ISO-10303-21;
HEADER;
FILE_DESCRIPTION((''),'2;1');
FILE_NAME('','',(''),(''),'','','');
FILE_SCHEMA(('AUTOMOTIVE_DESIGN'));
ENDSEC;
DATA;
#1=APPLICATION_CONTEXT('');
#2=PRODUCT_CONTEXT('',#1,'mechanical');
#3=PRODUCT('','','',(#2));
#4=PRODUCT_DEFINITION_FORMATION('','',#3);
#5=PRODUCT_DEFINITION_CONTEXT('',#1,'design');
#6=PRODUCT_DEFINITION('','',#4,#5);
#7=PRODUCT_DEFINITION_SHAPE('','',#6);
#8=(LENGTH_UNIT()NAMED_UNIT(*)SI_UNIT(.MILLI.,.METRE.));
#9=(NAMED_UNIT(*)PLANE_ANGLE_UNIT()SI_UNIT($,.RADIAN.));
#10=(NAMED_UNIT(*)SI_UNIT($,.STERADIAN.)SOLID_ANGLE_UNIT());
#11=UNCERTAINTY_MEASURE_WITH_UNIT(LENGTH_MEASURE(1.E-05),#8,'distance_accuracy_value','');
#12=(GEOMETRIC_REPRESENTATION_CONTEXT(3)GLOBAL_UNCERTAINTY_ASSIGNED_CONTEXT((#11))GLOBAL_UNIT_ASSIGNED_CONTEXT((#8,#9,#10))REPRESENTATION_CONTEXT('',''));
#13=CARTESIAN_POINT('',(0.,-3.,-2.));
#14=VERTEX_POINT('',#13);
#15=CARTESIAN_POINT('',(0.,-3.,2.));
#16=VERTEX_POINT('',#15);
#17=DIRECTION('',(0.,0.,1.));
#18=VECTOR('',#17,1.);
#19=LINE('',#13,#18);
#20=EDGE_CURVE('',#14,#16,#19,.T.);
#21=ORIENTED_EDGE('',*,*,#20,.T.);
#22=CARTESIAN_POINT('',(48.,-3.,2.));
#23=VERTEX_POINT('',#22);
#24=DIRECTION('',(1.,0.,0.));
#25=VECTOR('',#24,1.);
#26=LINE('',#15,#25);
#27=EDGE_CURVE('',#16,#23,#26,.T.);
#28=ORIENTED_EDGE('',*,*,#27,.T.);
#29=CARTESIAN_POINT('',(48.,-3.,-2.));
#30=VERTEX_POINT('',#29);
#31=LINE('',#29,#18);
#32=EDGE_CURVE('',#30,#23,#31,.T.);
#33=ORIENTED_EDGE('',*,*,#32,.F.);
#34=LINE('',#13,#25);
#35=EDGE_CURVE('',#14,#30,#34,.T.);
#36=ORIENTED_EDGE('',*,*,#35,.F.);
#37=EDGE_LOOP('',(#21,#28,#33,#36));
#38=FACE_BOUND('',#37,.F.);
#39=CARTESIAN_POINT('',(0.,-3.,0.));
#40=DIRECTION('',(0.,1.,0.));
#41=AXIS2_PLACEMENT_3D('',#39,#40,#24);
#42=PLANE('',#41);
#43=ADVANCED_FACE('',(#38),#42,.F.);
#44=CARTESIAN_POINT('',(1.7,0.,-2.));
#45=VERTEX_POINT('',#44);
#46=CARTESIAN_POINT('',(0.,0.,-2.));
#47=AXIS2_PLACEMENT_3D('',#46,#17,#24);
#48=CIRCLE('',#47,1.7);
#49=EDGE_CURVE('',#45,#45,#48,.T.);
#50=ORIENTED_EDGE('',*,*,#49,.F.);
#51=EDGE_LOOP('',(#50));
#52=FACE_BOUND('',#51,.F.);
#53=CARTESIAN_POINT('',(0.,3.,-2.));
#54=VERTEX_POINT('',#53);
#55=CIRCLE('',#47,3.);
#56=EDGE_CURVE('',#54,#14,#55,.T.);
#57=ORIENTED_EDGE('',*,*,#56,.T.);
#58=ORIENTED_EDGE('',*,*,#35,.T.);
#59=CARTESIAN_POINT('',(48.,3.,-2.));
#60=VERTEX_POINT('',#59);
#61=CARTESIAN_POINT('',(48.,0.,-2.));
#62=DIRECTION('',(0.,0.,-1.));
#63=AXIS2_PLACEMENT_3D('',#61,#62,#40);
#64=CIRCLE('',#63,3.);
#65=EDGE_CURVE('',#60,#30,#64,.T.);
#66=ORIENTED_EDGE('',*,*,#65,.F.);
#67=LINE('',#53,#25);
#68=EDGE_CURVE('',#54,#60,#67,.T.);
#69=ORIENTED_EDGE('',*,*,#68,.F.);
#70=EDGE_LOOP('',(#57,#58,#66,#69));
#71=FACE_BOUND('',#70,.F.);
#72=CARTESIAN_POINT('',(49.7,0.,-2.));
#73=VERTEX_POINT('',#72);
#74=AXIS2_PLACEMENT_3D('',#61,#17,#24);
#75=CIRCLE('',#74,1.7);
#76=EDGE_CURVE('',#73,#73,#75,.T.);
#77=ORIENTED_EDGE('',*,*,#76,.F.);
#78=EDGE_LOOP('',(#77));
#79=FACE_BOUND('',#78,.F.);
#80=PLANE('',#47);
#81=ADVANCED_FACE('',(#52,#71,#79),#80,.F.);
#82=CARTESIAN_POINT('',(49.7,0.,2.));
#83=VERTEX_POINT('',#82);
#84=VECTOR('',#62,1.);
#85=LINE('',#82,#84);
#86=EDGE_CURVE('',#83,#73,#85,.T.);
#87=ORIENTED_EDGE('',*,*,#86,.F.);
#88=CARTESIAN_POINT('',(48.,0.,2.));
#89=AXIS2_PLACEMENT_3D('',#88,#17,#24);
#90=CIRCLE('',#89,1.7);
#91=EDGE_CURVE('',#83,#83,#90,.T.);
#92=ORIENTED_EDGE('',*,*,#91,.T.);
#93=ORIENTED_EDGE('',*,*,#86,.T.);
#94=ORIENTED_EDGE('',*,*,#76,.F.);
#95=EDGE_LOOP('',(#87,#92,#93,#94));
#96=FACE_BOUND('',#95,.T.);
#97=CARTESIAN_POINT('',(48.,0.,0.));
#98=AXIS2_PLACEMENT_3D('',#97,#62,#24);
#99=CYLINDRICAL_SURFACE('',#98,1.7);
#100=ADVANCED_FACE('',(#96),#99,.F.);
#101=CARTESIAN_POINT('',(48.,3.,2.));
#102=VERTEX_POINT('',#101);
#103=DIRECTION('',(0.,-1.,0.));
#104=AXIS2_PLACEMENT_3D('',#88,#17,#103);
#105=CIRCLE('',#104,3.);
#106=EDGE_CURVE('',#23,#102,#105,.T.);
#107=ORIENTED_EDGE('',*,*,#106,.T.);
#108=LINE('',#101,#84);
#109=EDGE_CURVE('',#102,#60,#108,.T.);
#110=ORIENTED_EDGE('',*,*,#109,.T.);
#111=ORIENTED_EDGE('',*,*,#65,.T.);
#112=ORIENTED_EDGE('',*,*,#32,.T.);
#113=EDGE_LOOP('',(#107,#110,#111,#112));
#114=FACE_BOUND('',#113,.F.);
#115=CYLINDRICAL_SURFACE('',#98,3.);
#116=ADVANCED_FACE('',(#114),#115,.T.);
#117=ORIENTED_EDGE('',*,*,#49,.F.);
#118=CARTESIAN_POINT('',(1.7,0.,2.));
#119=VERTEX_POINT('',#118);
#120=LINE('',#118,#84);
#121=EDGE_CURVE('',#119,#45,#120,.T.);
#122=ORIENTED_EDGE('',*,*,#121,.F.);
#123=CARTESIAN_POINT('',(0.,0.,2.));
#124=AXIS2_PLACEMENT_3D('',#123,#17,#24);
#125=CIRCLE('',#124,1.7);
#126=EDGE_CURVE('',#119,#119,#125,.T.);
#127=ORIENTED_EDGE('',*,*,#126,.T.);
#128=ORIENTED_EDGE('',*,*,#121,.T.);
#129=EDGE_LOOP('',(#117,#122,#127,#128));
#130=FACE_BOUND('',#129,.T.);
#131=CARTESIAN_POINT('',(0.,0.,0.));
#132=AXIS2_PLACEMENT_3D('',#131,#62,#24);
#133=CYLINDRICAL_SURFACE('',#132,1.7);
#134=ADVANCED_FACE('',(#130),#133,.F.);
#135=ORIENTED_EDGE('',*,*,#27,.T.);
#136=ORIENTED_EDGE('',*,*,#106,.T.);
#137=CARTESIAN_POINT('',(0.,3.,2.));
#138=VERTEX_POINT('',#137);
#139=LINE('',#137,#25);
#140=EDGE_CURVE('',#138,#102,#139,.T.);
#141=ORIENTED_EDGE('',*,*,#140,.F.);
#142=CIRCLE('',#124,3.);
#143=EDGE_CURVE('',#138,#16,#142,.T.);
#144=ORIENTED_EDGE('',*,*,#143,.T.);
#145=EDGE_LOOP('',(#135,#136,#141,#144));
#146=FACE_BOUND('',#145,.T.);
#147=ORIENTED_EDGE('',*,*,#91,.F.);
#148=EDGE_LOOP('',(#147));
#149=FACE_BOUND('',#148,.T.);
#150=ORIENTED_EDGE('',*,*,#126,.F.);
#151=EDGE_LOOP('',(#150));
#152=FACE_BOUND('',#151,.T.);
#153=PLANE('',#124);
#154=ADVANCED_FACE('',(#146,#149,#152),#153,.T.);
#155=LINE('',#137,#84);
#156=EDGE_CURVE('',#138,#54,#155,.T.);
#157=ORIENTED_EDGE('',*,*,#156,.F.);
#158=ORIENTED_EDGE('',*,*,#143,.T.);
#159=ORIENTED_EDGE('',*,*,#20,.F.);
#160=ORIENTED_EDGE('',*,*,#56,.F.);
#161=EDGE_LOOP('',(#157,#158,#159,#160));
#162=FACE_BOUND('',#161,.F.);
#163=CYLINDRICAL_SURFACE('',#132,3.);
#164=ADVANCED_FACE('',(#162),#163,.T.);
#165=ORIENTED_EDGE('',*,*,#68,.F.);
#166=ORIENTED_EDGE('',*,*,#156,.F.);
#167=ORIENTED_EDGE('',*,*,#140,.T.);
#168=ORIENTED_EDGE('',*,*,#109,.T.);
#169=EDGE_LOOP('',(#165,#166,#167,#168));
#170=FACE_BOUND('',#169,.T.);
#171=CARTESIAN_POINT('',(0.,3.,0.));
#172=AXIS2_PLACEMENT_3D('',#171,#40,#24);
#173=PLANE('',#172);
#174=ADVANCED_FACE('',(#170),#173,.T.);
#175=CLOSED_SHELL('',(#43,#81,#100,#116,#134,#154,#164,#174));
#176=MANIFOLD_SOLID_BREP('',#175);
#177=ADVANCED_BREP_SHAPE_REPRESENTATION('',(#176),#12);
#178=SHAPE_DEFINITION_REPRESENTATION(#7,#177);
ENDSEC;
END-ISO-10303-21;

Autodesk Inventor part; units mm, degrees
ref_plane "YZ Plane" through (0, 0, 0) normal (1, 0, 0) x (0, 1, 0)
ref_plane "XZ Plane" through (0, 0, 0) normal (0, 1, 0) x (-1, 0, 0)
ref_plane "XY Plane" through (0, 0, 0) normal (0, 0, 1) x (1, 0, 0)
sketch "スケッチ1" plane through (0, 0, 0) normal (0, 0, 1) x (1, 0, 0)
  circle A0 centre (0, 0) radius 1.7
  circle A1 centre (48, 0) radius 1.7
  circle A2 centre (0, 0) radius 3
  circle A3 centre (48, 0) radius 3
  line L0 (0, 3) -> (48, 3)
  line L1 (0, -3) -> (48, -3)
  dimension "d0" = 3.4
  dimension "d1" = 3.4
  dimension "d2" = 6
  dimension "d3" = 6
  dimension "d4" = 48
extrude "押し出し1" add sketch "スケッチ1" along normal mid plane 4
properties part number "HbFingerMainCouplerLink01"
